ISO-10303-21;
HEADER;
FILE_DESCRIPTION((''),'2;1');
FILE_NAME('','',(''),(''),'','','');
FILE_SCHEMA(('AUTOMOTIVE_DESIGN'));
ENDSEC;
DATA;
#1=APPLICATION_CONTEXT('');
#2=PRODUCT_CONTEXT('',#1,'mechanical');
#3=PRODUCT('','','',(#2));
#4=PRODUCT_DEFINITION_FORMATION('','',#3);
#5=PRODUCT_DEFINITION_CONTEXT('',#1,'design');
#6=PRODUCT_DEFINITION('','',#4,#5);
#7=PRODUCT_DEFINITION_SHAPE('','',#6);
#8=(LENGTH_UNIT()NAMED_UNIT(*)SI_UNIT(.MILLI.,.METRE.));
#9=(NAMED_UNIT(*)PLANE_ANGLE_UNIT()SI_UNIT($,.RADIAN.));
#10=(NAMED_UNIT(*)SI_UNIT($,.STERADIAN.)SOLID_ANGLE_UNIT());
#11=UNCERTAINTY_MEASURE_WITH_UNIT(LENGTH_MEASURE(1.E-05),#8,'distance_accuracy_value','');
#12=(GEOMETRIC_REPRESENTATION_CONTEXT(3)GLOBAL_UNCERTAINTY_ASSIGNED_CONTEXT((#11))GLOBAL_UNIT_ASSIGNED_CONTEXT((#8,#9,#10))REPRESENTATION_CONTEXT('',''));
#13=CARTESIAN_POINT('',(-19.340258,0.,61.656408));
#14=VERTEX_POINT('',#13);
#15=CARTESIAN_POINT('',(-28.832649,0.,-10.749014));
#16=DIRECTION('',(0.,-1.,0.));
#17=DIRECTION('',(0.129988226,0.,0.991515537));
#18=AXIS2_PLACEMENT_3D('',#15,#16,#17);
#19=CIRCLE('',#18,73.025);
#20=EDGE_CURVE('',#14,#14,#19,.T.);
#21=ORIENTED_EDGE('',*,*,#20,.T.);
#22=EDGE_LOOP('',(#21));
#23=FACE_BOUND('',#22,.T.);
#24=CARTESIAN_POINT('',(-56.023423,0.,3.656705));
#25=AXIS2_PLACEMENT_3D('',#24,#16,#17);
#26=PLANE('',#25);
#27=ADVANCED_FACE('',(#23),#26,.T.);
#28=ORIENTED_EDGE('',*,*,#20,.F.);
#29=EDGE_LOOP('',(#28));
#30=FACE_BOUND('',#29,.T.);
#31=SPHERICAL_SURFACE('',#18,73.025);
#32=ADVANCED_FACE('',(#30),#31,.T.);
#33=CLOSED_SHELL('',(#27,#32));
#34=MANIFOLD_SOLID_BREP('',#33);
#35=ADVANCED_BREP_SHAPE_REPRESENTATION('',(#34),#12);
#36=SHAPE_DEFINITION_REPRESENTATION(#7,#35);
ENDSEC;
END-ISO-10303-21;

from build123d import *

# Parameters (mm, degrees)
REVOLVE1_ANGLE = 180


with BuildPart() as part:
    # Sketch1 → Revolve1 (revolve)
    with BuildSketch(Plane(origin=(0, 0, 0), x_dir=(1, 0, 0), z_dir=(0, 1, 0))):
        with BuildLine():
            ThreePointArc((44.192351352, 10.74901375), (21.093908516, 64.040565752), (-33.588943128, 83.618954657))
            Line((-33.588943128, 83.618954657), (-24.076354167, -62.120927157))
            ThreePointArc((-24.076354167, -62.120927157), (24.458903354, -39.177543414), (44.192351352, 10.74901375))
        make_face()
    revolve(axis=Axis((-33.588943128, 0, -83.618954657), (0.065132413, 0, 0.99787663)), revolution_arc=REVOLVE1_ANGLE)


solid = part.part
